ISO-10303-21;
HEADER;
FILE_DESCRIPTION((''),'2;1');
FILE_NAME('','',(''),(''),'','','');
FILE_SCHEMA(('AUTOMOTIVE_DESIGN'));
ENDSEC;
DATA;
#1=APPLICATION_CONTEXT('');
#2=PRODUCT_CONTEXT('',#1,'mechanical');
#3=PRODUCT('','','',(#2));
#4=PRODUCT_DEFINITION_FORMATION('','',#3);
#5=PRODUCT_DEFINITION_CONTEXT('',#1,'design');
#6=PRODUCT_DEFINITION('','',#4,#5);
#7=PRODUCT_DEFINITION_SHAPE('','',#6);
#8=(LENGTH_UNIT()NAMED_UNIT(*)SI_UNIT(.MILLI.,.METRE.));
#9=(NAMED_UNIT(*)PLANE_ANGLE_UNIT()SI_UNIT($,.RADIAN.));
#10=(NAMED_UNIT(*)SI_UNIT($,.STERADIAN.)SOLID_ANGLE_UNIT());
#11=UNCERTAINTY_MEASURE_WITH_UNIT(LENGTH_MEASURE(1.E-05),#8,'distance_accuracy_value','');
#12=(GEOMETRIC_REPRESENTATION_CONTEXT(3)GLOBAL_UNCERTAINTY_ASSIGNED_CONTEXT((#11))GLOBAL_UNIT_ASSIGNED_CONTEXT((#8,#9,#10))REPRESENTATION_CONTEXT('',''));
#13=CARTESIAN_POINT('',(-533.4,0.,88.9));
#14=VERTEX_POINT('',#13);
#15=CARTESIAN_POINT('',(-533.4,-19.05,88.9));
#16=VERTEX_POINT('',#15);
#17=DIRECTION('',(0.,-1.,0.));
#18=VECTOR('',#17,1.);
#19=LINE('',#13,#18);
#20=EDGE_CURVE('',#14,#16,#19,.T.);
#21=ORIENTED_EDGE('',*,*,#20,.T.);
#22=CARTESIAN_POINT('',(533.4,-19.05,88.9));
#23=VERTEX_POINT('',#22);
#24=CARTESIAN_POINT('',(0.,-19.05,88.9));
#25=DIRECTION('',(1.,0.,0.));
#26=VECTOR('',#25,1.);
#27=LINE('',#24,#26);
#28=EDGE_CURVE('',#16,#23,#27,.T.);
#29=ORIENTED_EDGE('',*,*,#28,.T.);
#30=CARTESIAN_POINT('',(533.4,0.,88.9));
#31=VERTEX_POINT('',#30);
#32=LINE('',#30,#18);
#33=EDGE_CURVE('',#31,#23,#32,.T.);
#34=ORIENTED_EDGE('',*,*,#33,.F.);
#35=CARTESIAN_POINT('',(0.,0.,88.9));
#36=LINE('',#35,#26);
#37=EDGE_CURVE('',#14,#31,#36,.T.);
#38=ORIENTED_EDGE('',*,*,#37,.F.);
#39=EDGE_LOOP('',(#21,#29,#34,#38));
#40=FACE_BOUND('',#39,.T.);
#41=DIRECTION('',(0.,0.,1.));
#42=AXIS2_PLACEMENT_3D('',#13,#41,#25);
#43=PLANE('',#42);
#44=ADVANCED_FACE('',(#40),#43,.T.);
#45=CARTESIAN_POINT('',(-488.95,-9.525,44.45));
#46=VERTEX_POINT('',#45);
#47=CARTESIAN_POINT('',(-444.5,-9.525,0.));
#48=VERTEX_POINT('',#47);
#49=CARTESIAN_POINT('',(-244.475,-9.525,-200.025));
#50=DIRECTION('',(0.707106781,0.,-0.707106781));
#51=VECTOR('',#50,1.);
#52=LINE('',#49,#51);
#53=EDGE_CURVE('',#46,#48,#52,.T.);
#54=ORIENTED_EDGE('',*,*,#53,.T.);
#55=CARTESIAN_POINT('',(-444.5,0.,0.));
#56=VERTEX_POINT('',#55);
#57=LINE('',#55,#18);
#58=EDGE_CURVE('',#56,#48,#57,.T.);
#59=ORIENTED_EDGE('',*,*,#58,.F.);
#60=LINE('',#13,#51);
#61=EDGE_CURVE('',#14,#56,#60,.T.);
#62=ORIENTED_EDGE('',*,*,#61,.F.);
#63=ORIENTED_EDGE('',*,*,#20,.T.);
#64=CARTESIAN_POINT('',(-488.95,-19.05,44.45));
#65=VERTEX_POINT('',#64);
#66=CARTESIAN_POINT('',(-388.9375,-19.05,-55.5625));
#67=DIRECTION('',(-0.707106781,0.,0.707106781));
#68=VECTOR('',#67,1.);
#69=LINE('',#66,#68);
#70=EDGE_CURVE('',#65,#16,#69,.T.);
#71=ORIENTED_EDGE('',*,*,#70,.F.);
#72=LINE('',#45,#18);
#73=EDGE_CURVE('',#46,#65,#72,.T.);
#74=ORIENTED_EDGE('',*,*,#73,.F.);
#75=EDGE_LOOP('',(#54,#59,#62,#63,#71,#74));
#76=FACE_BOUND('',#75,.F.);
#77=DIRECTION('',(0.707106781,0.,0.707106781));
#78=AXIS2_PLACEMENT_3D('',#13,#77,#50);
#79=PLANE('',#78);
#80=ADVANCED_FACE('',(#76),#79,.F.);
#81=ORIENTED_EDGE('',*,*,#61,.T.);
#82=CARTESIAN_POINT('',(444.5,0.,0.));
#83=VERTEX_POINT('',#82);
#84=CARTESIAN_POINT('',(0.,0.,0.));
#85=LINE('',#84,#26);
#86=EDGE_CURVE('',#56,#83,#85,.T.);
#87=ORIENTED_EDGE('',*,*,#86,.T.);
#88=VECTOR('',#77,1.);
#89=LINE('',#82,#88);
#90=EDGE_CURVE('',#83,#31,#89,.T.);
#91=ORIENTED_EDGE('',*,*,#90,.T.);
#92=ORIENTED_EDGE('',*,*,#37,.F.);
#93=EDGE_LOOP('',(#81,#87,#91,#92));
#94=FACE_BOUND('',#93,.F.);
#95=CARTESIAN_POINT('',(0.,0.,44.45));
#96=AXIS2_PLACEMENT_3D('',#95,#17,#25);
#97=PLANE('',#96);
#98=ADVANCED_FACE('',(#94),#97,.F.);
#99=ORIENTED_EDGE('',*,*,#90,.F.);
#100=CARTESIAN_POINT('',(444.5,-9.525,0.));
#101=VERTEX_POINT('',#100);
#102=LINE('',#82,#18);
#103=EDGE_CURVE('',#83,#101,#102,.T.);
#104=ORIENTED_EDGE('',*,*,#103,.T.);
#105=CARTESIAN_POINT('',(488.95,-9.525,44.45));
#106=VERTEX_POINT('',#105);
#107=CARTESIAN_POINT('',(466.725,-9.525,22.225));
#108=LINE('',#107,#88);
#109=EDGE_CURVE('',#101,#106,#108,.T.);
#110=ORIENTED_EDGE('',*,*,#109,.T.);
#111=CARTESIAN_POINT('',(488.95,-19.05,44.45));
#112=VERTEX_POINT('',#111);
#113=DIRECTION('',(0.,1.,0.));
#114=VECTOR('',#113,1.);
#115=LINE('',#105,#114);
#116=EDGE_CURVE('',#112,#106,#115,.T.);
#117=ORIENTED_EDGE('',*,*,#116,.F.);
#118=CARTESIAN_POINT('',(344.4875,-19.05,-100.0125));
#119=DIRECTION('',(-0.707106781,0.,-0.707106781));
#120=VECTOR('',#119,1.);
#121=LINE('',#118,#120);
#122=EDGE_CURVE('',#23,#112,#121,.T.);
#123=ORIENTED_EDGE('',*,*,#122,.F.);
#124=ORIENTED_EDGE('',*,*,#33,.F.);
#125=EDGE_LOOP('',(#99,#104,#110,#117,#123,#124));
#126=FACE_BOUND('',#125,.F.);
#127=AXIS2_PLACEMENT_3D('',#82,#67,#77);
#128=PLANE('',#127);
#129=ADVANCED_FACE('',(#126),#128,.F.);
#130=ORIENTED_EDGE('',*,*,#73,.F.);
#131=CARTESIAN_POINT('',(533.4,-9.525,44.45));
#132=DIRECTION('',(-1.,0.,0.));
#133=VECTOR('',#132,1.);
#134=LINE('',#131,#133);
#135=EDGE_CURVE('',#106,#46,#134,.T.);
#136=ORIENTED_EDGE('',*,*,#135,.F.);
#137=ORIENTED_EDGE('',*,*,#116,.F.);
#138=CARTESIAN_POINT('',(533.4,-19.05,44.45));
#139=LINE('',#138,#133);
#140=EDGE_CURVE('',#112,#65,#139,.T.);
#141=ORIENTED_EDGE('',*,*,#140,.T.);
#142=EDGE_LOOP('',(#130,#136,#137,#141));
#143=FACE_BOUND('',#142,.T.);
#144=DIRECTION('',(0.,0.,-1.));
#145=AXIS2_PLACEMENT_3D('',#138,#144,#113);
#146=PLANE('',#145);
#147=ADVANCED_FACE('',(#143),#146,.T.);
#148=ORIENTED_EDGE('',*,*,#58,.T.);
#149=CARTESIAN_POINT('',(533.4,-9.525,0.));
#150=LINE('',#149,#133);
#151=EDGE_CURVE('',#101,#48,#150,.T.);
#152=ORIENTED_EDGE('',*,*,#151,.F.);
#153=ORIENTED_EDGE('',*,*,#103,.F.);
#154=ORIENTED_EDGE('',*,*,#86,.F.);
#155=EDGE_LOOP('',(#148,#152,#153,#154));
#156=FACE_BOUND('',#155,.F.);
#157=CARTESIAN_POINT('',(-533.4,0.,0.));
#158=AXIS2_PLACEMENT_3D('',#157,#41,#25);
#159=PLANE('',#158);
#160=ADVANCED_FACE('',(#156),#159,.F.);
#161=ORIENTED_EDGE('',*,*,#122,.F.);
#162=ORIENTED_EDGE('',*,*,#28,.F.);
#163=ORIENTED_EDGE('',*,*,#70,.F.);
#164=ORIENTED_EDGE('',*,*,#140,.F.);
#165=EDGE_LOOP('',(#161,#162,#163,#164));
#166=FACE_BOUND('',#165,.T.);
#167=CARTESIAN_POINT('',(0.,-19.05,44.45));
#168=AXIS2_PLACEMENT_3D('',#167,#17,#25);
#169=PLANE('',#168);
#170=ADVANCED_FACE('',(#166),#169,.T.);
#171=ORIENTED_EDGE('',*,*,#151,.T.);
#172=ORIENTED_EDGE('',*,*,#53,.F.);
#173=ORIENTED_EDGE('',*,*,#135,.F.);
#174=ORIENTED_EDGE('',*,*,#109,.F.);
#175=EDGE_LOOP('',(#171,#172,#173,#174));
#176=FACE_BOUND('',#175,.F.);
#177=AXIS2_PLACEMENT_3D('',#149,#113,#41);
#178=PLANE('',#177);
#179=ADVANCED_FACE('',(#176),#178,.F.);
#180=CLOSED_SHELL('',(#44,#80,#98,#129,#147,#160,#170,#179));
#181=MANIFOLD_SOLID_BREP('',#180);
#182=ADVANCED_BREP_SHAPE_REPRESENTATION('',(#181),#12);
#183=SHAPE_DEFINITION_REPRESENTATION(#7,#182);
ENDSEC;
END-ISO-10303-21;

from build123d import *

# Parameters (mm, degrees)
F0_W     = 1066.8
F0_H     = 88.9
F1_DEPTH = 19.05
F2_W     = 9.525
F2_H     = 44.45
F3_DEPTH = 1066.801
F5_DEPTH = 19.051


with BuildPart() as f1:
    # F0 (on Front) → F1 (new body)
    with BuildSketch(Plane.XZ):
        with Locations((0, 44.45)):
            Rectangle(F0_W, F0_H)
    extrude(amount=F1_DEPTH)

    # F2 (on face) → F3 (cut, through all)
    with BuildSketch(Plane.YZ.offset(533.4)):
        with Locations((-14.2875, 22.225)):
            Rectangle(F2_W, F2_H)
    extrude(amount=-F3_DEPTH, mode=Mode.SUBTRACT)

    # F4 (on face) → F5 (cut, through all)
    with BuildSketch(Plane(origin=(0, 0, 0), x_dir=(-1, 0, 0), z_dir=(0, 1, 0))):
        Polygon((-444.5, 0), (-533.4, 88.9), (-533.4, 0), align=None)
        Polygon((444.5, 0), (533.4, 0), (533.4, 88.9), align=None)
    extrude(amount=-F5_DEPTH, mode=Mode.SUBTRACT)


solid = f1.part
